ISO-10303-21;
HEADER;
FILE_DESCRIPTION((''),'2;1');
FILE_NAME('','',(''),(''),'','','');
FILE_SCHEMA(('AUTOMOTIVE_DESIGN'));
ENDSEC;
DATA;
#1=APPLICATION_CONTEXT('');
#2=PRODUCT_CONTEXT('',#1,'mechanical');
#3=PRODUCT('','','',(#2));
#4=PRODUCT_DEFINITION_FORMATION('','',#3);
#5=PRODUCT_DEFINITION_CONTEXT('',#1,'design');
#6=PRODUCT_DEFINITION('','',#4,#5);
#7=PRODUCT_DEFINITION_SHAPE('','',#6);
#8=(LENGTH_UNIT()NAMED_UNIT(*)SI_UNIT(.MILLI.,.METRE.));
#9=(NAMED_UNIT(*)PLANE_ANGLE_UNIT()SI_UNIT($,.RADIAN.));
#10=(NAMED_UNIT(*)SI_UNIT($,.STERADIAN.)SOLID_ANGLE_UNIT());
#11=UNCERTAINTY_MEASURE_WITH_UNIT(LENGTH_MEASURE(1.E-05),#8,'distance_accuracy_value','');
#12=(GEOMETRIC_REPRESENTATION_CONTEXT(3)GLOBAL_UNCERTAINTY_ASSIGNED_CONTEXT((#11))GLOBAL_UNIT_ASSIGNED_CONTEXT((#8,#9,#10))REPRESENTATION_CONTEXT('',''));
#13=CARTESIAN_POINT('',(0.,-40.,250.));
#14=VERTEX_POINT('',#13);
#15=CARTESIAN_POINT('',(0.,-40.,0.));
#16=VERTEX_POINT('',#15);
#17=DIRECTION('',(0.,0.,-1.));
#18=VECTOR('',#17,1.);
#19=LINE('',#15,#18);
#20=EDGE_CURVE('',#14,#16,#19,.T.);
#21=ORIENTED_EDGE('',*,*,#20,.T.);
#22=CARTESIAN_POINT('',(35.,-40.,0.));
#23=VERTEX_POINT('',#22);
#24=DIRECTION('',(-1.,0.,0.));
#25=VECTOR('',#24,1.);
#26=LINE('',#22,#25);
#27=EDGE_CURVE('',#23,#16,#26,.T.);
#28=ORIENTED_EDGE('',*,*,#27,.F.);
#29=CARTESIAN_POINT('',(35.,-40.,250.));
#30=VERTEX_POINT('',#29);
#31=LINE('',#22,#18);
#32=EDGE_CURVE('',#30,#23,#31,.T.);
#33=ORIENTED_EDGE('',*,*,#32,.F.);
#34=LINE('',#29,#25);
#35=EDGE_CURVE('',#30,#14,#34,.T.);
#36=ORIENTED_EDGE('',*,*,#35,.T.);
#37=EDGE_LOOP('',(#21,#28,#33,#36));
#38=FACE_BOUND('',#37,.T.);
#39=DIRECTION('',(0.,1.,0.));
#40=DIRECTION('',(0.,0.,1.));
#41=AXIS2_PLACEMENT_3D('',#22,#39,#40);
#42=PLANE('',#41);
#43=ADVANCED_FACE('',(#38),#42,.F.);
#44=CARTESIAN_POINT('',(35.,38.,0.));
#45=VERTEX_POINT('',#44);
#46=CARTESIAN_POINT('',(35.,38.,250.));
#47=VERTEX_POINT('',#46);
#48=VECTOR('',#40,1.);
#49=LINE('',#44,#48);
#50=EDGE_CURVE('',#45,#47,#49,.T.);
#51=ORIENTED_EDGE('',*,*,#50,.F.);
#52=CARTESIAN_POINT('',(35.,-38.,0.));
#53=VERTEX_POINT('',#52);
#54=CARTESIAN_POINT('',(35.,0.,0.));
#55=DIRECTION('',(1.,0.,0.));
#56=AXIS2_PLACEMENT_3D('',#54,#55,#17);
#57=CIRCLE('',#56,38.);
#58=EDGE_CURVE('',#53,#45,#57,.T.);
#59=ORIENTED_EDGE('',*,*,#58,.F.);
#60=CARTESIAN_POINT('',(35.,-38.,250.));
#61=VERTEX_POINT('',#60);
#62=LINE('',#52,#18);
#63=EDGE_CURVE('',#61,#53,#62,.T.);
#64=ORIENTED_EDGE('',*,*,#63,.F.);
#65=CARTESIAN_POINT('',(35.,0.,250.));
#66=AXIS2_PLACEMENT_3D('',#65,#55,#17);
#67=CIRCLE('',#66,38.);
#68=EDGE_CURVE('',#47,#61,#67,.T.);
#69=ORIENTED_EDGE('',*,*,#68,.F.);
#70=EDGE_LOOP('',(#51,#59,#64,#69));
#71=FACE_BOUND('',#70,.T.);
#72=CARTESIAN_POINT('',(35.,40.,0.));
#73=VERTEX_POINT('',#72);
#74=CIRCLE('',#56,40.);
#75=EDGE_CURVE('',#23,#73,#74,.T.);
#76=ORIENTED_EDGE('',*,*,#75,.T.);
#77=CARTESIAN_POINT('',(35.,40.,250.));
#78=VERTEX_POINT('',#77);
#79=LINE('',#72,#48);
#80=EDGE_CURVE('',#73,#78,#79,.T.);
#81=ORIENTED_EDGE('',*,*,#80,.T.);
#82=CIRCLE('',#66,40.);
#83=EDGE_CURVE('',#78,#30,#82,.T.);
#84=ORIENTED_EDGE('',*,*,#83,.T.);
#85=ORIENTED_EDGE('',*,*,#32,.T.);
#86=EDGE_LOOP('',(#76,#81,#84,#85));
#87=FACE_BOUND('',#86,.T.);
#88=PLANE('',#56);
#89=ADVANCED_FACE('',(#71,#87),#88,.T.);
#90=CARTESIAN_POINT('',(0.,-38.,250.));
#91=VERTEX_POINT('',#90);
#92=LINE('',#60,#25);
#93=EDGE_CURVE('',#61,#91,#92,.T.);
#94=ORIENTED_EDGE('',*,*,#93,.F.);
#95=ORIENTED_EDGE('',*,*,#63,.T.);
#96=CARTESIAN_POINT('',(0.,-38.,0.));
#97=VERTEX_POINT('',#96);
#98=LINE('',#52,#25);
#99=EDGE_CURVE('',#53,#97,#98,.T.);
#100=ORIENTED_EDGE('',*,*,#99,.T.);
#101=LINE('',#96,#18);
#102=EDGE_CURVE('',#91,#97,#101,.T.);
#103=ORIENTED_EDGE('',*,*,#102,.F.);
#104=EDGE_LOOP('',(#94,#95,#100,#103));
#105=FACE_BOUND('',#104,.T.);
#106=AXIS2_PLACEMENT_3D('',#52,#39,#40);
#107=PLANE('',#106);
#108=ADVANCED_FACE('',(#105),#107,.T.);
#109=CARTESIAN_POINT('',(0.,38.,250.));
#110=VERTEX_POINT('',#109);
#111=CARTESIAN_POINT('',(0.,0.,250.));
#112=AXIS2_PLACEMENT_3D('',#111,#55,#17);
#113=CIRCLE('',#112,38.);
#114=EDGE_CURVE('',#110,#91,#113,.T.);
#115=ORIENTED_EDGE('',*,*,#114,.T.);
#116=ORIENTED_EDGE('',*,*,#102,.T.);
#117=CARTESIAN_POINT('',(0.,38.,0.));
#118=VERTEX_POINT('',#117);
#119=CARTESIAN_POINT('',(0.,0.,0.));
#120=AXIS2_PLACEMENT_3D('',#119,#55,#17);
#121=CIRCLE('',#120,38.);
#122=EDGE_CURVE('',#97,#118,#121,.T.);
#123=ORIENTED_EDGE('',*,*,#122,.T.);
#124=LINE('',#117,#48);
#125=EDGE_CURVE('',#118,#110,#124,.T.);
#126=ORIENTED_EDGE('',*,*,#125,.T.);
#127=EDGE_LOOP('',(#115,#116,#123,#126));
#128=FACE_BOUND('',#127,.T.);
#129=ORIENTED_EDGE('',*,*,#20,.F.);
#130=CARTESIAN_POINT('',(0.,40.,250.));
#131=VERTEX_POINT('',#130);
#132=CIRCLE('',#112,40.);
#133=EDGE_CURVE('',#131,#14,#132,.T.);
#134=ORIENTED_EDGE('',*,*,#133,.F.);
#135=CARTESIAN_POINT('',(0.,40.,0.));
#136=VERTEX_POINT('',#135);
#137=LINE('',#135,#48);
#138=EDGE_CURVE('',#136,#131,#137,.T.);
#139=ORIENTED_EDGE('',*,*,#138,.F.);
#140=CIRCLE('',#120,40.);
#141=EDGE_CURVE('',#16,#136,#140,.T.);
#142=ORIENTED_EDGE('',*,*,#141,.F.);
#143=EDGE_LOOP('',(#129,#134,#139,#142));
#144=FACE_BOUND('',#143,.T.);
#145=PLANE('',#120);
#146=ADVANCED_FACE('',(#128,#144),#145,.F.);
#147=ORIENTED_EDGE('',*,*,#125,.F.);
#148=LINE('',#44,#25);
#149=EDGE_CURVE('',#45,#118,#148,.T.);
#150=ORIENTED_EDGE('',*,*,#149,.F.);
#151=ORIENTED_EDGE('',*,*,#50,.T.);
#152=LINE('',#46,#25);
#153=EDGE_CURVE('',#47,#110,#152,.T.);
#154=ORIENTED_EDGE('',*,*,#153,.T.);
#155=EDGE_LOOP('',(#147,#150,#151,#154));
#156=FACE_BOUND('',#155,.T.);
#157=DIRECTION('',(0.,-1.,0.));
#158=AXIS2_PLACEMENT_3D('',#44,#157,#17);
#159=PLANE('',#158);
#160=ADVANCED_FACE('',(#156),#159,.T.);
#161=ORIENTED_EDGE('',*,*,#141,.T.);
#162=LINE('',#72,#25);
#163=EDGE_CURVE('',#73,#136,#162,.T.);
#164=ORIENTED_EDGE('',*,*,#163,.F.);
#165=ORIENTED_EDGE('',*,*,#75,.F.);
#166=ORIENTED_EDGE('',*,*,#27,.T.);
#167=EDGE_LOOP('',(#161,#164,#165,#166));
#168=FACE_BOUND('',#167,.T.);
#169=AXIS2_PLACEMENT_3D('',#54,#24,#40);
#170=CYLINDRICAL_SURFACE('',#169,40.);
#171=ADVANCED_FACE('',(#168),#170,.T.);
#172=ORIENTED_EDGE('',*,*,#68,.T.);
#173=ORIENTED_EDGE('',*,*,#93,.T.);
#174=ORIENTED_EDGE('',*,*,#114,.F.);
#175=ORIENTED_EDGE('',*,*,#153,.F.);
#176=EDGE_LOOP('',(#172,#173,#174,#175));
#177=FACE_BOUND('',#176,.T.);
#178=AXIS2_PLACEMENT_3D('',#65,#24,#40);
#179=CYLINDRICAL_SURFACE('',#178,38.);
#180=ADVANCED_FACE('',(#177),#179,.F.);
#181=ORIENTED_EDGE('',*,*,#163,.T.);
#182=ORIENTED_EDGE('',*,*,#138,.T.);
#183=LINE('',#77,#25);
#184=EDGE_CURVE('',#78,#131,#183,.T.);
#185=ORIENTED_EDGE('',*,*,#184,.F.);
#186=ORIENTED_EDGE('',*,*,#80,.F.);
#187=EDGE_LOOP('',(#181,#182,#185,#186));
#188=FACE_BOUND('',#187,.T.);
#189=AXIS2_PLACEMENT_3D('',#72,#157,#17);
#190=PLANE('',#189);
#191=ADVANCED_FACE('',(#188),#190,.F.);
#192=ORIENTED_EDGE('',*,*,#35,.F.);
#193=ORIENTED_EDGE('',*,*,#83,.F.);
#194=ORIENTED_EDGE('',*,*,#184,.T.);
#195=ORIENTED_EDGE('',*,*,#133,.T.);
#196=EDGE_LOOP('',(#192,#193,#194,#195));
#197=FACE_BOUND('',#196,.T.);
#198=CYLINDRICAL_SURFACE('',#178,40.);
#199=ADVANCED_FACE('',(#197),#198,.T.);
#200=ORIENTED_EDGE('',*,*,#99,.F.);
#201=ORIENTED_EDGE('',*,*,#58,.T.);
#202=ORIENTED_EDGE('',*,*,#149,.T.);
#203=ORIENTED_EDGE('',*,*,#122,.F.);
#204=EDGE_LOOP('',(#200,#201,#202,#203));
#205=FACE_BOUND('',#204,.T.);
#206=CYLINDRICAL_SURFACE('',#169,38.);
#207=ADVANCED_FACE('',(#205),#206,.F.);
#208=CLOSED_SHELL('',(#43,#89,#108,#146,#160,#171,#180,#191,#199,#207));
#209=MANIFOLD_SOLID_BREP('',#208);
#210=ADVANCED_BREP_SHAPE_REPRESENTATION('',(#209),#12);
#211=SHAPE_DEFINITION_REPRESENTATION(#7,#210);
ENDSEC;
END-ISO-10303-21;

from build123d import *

# Parameters (mm, degrees)
BOSS_EXTRUDE1_DEPTH = 35


with BuildPart() as part:
    # Sketch1 → Boss-Extrude1 (new body)
    with BuildSketch(Plane(origin=(0, 0, 0), x_dir=(0, 0, -1), z_dir=(1, 0, 0))):
        with BuildLine():
            Line((0, -40), (-250, -40))
            ThreePointArc((-250, -40), (-290, 0), (-250, 40))
            Line((-250, 40), (0, 40))
            ThreePointArc((0, 40), (40, 0), (0, -40))
        make_face()
        with BuildLine():
            Line((0, -38), (-250, -38))
            ThreePointArc((-250, -38), (-288, 0), (-250, 38))
            Line((-250, 38), (0, 38))
            ThreePointArc((0, 38), (38, 0), (0, -38))
        make_face(mode=Mode.SUBTRACT)
    extrude(amount=BOSS_EXTRUDE1_DEPTH)


solid = part.part
